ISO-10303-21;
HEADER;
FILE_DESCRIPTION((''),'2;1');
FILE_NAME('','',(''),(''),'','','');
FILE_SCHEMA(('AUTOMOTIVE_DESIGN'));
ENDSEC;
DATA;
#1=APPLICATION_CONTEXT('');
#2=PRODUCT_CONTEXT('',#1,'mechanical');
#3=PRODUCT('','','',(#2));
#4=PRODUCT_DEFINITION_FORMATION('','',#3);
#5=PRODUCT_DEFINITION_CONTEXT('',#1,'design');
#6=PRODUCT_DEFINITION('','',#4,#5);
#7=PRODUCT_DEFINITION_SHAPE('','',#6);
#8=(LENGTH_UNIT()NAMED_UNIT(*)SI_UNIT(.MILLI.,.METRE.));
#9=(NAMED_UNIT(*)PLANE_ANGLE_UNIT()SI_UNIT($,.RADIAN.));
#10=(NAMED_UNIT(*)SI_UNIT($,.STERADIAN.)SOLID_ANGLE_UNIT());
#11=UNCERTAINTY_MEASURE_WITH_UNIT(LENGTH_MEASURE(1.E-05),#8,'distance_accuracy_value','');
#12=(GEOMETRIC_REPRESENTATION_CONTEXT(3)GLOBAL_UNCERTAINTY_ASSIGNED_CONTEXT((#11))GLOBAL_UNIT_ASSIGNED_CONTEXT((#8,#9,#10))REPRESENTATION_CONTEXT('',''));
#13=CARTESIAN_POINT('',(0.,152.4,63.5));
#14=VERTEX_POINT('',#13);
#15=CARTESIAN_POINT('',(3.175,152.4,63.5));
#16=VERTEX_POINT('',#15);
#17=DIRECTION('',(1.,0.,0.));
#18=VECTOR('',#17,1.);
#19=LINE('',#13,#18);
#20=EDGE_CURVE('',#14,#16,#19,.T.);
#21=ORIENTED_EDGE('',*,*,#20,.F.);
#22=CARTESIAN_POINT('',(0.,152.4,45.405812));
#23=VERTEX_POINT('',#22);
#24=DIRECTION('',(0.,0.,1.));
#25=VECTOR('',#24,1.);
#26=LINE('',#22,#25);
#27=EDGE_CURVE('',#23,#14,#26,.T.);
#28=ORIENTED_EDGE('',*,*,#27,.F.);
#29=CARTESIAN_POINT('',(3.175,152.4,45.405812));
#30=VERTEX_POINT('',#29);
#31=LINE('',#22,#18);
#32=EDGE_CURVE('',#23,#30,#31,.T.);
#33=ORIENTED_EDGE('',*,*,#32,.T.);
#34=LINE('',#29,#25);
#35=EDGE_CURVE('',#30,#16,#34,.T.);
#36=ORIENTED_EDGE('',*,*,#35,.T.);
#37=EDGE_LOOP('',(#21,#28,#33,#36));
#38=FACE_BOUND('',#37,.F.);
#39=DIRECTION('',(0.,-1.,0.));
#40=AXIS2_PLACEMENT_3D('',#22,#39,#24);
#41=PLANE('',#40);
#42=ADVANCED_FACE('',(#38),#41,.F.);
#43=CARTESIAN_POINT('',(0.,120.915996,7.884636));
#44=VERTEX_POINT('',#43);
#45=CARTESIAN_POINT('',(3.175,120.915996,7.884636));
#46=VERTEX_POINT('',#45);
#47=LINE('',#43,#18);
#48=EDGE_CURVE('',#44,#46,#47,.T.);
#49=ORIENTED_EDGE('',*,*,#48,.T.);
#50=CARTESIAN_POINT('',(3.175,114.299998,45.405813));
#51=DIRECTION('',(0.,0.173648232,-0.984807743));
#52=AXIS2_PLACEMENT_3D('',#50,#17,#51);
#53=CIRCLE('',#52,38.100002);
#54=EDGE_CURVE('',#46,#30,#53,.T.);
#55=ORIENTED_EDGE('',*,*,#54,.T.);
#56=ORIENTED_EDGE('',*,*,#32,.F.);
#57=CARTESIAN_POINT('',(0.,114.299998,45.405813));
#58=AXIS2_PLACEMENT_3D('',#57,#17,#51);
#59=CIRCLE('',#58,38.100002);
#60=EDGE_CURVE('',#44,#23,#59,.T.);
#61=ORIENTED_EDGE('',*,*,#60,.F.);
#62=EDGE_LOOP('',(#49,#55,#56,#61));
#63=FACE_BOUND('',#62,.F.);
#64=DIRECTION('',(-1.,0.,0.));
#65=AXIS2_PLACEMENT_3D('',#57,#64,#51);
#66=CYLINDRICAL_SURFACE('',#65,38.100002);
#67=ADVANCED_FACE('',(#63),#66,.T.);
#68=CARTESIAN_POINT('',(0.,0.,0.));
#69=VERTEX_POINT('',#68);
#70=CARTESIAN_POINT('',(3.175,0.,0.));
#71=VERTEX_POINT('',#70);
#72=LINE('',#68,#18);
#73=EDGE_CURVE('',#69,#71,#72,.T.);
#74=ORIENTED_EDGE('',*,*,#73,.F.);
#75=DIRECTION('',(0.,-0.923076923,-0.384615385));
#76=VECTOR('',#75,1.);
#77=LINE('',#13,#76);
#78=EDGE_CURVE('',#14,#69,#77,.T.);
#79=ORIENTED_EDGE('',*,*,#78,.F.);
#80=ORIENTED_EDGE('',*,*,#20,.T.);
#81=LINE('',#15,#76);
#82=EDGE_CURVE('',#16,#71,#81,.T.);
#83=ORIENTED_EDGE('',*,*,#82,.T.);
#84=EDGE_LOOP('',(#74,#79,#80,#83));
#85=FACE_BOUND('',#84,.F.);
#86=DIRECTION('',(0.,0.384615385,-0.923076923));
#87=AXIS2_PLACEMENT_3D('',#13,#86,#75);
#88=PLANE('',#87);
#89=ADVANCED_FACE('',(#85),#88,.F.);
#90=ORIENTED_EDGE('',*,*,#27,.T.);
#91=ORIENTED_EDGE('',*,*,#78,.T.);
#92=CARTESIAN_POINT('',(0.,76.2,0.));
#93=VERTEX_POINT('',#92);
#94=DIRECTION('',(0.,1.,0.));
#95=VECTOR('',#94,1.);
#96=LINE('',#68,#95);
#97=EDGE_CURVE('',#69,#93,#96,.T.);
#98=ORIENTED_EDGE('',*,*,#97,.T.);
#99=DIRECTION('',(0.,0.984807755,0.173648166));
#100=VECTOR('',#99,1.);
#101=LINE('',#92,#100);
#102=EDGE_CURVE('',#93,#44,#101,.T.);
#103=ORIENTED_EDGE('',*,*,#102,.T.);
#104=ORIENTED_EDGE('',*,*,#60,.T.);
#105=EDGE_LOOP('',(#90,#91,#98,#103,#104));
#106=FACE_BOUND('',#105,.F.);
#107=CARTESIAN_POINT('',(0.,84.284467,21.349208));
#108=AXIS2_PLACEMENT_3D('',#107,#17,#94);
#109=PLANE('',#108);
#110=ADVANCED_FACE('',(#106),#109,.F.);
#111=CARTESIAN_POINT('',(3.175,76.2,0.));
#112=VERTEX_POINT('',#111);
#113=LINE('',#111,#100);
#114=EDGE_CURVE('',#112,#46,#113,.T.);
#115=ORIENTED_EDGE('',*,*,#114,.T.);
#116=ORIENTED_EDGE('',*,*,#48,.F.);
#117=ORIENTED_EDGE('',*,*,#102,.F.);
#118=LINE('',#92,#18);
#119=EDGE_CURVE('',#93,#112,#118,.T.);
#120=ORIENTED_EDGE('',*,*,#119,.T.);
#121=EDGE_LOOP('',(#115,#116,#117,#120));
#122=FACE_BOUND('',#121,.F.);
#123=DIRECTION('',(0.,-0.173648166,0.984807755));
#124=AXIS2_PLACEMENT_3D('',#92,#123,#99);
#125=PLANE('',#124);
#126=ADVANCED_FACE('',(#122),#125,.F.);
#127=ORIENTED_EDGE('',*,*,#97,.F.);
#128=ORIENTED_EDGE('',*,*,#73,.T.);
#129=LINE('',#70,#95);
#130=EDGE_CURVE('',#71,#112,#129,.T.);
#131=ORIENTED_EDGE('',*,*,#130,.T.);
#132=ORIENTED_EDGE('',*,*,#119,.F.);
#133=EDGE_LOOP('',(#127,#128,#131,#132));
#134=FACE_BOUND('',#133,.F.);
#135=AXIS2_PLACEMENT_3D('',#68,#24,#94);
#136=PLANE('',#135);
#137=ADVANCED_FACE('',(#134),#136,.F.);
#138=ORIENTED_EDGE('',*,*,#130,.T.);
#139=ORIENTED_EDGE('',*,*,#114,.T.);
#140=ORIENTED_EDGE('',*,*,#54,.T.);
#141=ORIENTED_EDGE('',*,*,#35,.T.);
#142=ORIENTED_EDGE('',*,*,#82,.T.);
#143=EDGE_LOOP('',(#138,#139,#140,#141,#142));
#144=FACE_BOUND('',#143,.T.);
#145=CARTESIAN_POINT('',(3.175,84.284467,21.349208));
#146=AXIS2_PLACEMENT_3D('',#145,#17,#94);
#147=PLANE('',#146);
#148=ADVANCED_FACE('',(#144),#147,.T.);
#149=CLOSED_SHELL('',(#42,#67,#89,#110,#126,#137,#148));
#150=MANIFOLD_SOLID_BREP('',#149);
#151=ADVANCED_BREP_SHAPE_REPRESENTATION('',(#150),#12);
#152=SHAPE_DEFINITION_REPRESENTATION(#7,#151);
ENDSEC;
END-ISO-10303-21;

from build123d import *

# Parameters (mm, degrees)
F1_DEPTH = 3.175


with BuildPart() as f1:
    # F0 (on Right) → F1 (new body)
    with BuildSketch(Plane.YZ):
        with BuildLine():
            Line((152.4, 63.5), (0, 0))
            Line((0, 0), (76.2, 0))
            Line((76.2, 0), (120.915996, 7.884636))
            ThreePointArc((120.915996, 7.884636), (143.486293, 20.915604), (152.4, 45.405812))
            Line((152.4, 45.405812), (152.4, 63.5))
        make_face()
    extrude(amount=F1_DEPTH)


solid = f1.part
